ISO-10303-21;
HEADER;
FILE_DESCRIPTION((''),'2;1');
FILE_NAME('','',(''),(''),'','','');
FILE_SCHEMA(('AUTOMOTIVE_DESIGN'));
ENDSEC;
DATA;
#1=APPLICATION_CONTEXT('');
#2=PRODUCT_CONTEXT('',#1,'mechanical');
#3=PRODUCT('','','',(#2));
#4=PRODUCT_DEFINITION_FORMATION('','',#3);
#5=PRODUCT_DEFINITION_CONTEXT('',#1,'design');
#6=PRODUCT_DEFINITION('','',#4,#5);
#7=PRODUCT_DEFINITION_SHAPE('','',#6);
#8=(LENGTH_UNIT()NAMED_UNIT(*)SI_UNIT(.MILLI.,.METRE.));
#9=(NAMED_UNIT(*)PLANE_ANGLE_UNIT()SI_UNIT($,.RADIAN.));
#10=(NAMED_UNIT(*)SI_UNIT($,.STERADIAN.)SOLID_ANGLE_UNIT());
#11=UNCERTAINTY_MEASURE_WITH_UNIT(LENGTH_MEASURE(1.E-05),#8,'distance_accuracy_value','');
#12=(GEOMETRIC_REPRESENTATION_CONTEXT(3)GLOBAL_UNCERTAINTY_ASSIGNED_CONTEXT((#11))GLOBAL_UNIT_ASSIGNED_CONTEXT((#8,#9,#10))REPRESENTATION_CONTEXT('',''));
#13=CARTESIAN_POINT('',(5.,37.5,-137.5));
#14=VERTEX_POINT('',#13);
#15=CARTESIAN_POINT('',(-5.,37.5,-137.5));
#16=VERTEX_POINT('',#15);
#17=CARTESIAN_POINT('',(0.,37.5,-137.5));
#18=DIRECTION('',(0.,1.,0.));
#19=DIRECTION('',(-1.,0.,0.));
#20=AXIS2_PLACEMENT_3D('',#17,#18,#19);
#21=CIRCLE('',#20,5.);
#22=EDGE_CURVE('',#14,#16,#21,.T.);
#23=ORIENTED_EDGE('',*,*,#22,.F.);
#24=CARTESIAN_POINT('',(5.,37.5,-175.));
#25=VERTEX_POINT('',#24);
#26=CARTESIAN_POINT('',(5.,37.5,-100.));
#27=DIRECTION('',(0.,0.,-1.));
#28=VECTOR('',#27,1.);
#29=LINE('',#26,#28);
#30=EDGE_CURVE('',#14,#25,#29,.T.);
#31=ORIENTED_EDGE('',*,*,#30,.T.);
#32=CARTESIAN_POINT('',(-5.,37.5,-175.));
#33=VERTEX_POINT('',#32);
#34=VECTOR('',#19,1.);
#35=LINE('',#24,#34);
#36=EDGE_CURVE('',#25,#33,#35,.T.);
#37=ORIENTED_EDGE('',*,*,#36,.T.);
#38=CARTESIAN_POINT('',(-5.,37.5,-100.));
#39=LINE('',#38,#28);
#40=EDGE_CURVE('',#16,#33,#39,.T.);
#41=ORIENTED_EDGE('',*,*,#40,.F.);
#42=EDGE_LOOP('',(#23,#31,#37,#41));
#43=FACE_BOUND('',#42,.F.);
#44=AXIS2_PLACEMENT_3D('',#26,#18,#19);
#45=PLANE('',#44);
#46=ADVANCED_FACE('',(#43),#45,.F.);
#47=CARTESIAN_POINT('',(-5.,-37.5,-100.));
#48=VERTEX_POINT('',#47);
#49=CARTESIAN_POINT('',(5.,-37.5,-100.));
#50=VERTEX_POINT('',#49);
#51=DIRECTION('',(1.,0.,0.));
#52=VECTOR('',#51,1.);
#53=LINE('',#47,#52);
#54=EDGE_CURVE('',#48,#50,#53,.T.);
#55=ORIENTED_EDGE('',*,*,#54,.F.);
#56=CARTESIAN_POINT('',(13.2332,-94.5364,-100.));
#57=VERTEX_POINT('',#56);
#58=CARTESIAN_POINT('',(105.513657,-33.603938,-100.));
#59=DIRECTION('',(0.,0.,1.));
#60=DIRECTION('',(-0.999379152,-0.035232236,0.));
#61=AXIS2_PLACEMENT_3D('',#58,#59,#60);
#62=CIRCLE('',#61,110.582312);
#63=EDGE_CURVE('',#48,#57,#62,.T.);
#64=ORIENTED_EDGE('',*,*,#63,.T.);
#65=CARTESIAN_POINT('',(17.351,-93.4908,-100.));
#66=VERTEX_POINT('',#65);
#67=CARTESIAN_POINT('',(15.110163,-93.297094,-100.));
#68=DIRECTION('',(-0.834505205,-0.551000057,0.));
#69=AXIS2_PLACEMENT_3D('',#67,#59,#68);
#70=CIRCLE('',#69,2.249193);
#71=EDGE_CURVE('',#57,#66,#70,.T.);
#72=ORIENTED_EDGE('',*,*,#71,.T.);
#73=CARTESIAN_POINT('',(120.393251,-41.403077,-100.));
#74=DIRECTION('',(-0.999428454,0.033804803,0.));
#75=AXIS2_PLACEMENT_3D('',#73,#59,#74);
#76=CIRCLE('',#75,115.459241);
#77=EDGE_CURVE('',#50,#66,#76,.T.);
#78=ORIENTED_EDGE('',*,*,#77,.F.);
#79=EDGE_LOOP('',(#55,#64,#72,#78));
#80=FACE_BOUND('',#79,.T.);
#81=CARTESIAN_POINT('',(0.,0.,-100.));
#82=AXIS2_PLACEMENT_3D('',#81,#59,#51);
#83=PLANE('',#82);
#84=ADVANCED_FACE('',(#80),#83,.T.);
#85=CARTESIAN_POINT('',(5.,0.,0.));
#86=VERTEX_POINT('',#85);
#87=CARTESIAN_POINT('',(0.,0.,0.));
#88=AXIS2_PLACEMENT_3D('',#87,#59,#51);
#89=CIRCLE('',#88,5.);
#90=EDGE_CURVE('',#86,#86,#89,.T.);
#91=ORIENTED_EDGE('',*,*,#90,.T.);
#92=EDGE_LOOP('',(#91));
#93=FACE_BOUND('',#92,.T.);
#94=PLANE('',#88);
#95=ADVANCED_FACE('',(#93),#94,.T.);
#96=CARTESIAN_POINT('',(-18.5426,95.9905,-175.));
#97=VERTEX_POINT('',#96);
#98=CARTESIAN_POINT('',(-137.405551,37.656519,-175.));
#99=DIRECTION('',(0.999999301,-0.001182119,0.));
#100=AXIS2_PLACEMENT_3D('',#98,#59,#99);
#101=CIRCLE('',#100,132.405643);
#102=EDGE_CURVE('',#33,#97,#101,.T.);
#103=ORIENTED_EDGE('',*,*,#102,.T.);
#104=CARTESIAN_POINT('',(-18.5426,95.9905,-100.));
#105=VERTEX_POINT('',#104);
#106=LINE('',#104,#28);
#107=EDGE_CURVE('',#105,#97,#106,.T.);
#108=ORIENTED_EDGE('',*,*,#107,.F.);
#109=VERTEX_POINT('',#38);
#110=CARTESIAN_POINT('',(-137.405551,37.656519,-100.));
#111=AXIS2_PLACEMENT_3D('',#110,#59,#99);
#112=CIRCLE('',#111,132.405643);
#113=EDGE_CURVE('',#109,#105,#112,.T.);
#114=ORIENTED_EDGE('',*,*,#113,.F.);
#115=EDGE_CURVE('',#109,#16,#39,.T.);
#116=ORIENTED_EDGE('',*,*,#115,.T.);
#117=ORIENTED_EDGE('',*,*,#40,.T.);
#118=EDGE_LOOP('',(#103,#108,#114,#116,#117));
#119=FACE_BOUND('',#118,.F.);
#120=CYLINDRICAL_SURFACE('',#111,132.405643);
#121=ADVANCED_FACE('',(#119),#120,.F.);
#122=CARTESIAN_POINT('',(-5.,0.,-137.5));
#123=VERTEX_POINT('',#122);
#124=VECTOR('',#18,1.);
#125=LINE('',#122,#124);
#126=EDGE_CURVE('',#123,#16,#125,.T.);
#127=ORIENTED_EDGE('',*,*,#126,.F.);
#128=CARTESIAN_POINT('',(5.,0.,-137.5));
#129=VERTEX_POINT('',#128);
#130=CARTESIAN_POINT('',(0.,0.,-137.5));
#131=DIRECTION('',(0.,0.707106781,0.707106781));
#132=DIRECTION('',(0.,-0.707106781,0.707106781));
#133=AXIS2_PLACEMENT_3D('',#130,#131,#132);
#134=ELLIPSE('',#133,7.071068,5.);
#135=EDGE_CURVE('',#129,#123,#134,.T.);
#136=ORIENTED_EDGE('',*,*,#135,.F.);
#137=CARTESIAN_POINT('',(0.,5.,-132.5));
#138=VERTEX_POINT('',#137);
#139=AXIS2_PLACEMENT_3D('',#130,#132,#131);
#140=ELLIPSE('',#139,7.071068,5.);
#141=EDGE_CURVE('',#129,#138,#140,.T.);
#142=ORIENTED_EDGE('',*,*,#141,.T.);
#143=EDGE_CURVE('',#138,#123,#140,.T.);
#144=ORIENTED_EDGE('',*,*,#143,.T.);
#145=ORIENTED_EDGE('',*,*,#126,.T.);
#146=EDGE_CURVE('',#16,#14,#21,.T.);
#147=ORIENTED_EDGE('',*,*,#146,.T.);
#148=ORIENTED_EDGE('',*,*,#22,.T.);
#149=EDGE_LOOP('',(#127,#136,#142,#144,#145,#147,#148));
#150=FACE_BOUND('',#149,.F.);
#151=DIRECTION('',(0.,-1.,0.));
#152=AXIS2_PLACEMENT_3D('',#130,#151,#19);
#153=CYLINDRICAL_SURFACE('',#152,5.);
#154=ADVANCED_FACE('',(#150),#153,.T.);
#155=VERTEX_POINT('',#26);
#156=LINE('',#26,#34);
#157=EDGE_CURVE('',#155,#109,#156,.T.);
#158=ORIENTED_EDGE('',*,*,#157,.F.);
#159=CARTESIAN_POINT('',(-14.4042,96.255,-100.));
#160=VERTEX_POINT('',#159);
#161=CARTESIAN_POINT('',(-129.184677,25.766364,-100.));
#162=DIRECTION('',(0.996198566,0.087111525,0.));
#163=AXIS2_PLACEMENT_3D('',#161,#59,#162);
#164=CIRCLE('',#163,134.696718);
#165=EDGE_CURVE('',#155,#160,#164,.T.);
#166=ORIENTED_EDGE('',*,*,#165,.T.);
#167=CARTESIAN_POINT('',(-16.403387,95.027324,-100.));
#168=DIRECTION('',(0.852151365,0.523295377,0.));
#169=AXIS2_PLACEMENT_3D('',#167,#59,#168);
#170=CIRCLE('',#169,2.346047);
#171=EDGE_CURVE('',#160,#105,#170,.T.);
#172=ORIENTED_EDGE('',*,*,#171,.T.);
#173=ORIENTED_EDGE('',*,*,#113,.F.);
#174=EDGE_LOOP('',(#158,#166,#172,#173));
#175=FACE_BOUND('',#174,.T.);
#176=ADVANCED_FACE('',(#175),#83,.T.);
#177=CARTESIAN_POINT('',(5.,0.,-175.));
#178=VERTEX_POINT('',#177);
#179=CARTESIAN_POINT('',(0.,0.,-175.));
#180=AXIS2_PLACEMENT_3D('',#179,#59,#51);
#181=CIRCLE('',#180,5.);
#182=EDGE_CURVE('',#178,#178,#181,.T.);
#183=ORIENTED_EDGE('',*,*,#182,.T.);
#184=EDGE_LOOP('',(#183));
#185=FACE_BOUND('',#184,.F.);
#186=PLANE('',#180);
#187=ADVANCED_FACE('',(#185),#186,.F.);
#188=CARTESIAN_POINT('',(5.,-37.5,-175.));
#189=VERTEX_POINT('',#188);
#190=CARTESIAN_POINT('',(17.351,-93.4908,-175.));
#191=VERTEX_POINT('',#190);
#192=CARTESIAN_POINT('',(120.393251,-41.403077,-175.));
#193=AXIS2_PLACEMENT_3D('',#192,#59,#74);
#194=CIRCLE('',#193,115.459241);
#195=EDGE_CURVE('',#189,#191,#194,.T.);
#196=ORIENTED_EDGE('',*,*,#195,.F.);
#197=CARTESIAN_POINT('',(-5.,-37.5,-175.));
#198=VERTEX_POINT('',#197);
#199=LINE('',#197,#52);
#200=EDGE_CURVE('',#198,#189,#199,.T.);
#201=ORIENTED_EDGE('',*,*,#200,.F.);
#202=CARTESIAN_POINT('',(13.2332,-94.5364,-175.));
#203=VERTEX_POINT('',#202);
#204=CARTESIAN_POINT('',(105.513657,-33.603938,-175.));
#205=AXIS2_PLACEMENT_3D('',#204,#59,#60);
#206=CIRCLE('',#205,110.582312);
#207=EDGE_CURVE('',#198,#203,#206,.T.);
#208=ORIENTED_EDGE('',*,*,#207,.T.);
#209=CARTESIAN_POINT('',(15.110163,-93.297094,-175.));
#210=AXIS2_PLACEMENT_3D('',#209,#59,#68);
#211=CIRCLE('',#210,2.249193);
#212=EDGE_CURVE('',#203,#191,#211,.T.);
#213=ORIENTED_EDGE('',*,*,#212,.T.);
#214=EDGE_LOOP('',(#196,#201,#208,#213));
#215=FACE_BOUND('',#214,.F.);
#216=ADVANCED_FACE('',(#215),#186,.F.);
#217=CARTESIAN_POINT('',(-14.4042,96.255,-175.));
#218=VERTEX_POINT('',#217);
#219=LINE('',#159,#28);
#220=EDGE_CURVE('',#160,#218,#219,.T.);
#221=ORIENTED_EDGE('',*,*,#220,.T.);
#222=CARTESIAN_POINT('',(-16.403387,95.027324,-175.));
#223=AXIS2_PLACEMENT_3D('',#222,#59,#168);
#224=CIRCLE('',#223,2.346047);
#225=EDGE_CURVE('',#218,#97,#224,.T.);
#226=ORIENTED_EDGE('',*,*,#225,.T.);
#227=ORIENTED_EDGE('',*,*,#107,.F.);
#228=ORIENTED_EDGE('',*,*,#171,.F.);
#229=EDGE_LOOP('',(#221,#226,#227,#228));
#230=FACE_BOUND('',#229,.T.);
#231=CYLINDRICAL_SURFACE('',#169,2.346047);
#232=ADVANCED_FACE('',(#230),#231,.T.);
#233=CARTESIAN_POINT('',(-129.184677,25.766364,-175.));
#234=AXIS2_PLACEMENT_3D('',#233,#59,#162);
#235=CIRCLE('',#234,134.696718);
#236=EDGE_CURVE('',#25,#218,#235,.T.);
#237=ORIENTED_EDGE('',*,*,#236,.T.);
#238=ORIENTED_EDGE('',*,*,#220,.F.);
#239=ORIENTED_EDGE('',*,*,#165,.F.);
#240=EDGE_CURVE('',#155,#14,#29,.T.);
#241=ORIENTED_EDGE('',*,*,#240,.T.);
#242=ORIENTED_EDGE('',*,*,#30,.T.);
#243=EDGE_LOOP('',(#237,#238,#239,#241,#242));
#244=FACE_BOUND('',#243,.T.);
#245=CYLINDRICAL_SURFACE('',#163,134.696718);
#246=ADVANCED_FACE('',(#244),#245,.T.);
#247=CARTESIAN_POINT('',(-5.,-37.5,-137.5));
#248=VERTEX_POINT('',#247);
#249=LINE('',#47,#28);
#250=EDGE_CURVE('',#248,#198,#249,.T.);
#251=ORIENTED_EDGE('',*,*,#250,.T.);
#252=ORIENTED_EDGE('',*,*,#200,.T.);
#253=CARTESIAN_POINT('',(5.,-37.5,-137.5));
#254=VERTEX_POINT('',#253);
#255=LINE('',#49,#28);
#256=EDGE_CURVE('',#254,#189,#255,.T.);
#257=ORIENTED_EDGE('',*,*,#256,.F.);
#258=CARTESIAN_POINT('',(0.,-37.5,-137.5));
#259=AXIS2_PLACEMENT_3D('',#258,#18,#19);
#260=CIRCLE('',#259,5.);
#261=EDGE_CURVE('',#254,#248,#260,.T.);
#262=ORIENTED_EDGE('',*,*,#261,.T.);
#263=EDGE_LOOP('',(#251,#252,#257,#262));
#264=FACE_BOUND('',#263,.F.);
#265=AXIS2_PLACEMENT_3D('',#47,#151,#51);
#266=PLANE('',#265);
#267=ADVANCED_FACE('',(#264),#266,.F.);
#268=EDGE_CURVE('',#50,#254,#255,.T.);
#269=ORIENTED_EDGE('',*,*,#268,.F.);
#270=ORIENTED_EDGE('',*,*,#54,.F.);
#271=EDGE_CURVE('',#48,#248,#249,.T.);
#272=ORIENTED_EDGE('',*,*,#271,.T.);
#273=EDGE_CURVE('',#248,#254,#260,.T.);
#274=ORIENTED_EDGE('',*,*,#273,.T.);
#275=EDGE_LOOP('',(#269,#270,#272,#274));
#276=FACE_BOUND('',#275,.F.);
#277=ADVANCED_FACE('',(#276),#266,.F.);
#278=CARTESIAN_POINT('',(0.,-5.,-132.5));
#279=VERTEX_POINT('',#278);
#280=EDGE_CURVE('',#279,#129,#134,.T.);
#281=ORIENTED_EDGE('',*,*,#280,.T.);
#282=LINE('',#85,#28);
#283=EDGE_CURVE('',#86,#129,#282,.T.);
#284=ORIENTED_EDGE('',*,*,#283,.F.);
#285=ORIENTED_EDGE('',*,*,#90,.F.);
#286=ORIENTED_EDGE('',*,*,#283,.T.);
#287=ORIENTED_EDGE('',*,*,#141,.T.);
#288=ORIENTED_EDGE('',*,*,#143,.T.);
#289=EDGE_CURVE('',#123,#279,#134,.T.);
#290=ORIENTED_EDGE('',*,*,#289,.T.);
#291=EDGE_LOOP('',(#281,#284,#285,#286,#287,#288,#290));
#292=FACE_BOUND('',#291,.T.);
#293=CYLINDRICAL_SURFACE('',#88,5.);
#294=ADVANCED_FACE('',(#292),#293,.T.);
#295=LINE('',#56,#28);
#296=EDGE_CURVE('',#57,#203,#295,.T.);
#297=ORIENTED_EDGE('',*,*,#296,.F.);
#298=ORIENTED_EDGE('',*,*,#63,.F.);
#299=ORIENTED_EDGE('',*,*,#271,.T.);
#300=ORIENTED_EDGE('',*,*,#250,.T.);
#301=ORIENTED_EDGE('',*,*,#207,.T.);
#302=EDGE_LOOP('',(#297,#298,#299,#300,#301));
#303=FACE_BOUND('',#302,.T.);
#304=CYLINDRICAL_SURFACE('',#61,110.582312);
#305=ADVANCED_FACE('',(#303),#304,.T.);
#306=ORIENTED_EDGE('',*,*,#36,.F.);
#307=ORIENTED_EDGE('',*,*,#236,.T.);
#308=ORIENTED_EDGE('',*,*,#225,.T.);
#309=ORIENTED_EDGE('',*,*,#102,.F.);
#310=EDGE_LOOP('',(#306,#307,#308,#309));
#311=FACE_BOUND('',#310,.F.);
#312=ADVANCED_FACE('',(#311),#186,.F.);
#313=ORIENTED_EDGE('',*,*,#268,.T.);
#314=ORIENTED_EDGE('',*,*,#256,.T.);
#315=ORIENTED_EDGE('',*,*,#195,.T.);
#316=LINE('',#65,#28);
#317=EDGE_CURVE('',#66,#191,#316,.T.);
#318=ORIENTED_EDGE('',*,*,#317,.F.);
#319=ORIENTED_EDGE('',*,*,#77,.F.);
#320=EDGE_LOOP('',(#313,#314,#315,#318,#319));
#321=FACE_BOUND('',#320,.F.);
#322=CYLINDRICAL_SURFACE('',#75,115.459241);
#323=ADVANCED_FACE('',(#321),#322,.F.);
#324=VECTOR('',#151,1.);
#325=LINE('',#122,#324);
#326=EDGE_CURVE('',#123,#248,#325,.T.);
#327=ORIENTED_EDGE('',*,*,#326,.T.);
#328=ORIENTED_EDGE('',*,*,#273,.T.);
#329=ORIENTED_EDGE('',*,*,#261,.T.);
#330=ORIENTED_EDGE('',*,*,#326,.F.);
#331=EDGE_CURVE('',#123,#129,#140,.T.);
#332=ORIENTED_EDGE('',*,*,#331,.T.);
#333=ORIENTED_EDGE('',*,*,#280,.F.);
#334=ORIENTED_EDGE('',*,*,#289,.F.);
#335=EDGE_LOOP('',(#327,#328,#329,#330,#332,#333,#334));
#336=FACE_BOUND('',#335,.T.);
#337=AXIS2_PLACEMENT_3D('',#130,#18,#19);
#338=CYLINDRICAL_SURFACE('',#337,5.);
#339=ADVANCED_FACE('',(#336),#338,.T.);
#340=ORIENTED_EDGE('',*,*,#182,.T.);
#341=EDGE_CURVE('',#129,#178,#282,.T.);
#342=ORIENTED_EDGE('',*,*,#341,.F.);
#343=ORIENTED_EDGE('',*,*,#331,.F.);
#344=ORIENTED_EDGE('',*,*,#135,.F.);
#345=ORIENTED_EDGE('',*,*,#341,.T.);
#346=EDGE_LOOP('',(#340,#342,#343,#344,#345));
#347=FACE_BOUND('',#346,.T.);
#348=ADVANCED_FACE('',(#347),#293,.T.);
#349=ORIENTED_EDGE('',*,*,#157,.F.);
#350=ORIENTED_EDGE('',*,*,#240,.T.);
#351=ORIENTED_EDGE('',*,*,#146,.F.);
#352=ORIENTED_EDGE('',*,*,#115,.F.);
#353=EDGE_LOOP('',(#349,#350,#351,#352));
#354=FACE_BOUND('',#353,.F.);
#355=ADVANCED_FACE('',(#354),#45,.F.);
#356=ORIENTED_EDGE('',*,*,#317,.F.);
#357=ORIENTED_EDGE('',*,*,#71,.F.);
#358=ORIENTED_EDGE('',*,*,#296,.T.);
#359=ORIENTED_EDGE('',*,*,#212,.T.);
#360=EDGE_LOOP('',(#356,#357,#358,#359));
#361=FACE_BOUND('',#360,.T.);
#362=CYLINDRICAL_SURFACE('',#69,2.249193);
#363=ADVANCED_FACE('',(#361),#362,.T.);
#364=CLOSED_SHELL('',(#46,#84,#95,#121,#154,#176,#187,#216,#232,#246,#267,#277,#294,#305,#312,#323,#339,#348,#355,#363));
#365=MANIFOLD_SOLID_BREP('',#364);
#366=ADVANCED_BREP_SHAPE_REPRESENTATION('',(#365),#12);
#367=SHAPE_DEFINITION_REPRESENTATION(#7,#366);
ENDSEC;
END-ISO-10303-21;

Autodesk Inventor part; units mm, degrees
ref_plane "YZ Plane" through (0, 0, 0) normal (1, 0, 0) x (0, 1, 0)
ref_plane "XZ Plane" through (0, 0, 0) normal (0, 1, 0) x (-1, 0, 0)
ref_plane "XY Plane" through (0, 0, 0) normal (0, 0, 1) x (1, 0, 0)
sketch "Sketch1" plane through (0, 0, 0) normal (0, 0, 1) x (1, 0, 0)
  circle A0 centre (0, 0) radius 5
  dimension "d0" = 10
extrude "Extrusion1" add sketch "Sketch1" against normal blind 175
ref_plane "Work Plane1" through (0, 0, -100) normal (0, 0, 1) x (1, 0, 0)
sketch "Sketch2" plane through (0, 0, 0) normal (0, 1, 0) x (-1, 0, 0)
  circle A0 centre (0, -137.5) radius 5
  line L0 (-5, -175) -> (5, -175) projected
  point P0 (0, 0)
  dimension "d4" = 10
  dimension "d5" = 37.5
extrude "Extrusion2" add sketch "Sketch2" along normal mid plane 75
sketch "Sketch5" plane through (0, 0, -100) normal (0, 0, 1) x (1, 0, 0)
  line L0 (5, 37.5) -> (-5, 37.5) projected
  arc A0 (-5, 37.5) -> (-18.5426, 95.9905) centre (-137.4066, 37.6564) ccw
  arc A1 (5, 37.5) -> (-14.4042, 96.255) centre (-129.1845, 25.7664) ccw
  arc A2 (-14.4042, 96.255) -> (-18.5426, 95.9905) centre (-16.4034, 95.0273) ccw
  line L1 (-5, -37.5) -> (5, -37.5) projected
  arc A3 (5, -37.5) -> (17.351, -93.4908) centre (120.393, -41.4031) ccw
  arc A4 (-5, -37.5) -> (13.2332, -94.5364) centre (105.5133, -33.604) ccw
  line L2 (5, -37.5) -> (-5, -37.5)
  line L3 (5, 37.5) -> (-5, 37.5)
  arc A5 (13.2332, -94.5364) -> (17.351, -93.4908) centre (15.1102, -93.297) ccw
  point P0 (0, 0)
extrude "Extrusion4" add sketch "Sketch5" against normal blind 75
properties part number "wet_proj_aandrijstang_2"
